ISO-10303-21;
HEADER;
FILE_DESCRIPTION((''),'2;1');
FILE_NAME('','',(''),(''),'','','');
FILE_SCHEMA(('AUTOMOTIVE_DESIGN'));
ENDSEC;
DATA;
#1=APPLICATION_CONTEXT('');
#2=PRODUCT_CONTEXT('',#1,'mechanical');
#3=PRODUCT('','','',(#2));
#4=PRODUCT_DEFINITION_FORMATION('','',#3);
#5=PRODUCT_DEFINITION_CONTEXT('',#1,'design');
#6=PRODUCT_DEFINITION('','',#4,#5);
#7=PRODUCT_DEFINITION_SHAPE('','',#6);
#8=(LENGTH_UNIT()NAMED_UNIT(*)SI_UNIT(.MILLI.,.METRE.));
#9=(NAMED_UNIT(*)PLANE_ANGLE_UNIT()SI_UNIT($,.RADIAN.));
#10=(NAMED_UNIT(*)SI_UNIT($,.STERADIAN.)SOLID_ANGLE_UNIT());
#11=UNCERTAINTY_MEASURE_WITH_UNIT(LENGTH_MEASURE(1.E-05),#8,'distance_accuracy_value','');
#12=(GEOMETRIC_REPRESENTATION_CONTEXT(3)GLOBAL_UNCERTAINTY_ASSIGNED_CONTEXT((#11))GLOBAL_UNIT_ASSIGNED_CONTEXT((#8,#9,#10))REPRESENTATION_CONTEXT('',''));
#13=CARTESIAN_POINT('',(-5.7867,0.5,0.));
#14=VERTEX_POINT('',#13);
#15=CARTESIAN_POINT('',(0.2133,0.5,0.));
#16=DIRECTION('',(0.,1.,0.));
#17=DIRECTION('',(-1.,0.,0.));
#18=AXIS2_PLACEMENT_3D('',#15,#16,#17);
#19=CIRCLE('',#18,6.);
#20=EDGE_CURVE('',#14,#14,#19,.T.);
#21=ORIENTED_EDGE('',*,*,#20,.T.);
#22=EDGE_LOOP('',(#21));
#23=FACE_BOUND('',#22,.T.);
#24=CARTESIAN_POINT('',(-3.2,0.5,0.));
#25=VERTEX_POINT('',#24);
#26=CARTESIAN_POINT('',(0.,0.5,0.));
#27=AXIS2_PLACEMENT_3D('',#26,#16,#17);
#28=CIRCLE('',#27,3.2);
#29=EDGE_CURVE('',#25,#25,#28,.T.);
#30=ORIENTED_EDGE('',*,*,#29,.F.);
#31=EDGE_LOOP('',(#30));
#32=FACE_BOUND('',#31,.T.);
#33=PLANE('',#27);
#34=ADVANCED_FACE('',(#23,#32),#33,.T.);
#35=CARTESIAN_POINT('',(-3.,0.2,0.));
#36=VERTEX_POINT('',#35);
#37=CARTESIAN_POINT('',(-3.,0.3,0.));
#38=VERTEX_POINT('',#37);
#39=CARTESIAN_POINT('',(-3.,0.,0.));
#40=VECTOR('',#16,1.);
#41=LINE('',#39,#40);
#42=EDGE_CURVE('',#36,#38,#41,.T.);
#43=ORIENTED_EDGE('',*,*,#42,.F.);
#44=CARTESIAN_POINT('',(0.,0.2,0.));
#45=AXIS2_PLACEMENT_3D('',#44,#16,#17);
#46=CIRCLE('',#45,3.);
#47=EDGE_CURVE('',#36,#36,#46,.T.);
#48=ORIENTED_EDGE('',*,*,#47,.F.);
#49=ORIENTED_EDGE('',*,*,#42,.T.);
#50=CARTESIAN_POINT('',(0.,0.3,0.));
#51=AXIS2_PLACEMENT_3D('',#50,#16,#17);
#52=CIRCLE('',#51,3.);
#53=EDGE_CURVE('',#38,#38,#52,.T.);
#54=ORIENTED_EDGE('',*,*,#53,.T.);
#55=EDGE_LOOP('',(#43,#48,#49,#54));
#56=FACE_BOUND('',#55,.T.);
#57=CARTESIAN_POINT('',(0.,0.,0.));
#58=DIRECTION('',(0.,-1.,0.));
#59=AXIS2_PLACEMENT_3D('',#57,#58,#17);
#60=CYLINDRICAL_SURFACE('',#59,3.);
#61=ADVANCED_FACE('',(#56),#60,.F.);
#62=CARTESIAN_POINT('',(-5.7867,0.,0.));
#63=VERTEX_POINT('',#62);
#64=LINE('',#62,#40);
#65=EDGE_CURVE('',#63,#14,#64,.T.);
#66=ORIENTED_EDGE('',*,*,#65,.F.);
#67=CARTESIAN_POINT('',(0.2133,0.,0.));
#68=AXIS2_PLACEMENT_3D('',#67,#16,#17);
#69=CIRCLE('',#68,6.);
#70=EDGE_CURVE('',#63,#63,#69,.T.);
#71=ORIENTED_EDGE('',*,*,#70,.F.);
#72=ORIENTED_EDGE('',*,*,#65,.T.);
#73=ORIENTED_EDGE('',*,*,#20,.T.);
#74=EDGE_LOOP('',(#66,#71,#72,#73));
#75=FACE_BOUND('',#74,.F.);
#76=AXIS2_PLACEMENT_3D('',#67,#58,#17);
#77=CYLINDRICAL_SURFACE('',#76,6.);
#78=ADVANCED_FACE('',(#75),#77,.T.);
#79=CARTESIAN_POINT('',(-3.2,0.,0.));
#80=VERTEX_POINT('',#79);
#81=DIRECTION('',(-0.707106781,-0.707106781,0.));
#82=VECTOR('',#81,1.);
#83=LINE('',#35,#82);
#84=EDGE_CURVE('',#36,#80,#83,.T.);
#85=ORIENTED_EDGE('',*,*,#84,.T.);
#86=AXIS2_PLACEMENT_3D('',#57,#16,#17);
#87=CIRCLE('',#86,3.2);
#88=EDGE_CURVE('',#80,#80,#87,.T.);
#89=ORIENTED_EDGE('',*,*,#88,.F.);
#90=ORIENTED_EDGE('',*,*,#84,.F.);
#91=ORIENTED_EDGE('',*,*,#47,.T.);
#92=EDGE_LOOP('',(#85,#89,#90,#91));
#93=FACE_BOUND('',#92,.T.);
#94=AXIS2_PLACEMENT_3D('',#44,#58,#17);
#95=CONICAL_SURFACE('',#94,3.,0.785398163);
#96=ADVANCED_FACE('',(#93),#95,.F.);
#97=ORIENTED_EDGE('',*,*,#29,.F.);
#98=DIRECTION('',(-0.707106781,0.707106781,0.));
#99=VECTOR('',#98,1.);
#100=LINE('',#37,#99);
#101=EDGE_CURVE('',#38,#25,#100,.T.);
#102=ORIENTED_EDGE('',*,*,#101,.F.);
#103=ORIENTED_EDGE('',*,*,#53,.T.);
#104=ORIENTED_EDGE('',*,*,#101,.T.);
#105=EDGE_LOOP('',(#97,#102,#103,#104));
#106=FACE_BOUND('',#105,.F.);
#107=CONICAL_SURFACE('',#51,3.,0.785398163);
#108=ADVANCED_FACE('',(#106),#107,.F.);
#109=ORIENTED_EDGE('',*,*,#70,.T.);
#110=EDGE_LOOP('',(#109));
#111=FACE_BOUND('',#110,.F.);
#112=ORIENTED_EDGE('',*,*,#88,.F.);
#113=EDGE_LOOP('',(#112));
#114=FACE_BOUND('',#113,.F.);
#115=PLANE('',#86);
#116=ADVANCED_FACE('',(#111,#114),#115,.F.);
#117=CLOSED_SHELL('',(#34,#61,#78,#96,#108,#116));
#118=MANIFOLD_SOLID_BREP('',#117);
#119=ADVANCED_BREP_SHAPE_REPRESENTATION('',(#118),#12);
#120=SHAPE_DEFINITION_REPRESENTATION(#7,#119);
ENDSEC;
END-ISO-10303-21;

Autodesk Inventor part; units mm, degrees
ref_plane "YZ Plane" through (0, 0, 0) normal (1, 0, 0) x (0, 1, 0)
ref_plane "XZ Plane" through (0, 0, 0) normal (0, 1, 0) x (-1, 0, 0)
ref_plane "XY Plane" through (0, 0, 0) normal (0, 0, 1) x (1, 0, 0)
sketch "Sketch1" plane through (0, 0, 0) normal (0, 1, 0) x (-1, 0, 0)
  circle A0 centre (0, 0) radius 3
  circle A1 centre (-0.2133, 0) radius 6
  dimension "d0" = 6
  dimension "d1" = 12
extrude "Extrusion1" add sketch "Sketch1" along normal blind 0.5
chamfer "Chamfer1" distance 0.2 angle 45 2 edges at (3, 0.5, 0) (3, 0, 0)
properties part number "pan_head_screw_washer" material "Aluminum 6061-AHC"
